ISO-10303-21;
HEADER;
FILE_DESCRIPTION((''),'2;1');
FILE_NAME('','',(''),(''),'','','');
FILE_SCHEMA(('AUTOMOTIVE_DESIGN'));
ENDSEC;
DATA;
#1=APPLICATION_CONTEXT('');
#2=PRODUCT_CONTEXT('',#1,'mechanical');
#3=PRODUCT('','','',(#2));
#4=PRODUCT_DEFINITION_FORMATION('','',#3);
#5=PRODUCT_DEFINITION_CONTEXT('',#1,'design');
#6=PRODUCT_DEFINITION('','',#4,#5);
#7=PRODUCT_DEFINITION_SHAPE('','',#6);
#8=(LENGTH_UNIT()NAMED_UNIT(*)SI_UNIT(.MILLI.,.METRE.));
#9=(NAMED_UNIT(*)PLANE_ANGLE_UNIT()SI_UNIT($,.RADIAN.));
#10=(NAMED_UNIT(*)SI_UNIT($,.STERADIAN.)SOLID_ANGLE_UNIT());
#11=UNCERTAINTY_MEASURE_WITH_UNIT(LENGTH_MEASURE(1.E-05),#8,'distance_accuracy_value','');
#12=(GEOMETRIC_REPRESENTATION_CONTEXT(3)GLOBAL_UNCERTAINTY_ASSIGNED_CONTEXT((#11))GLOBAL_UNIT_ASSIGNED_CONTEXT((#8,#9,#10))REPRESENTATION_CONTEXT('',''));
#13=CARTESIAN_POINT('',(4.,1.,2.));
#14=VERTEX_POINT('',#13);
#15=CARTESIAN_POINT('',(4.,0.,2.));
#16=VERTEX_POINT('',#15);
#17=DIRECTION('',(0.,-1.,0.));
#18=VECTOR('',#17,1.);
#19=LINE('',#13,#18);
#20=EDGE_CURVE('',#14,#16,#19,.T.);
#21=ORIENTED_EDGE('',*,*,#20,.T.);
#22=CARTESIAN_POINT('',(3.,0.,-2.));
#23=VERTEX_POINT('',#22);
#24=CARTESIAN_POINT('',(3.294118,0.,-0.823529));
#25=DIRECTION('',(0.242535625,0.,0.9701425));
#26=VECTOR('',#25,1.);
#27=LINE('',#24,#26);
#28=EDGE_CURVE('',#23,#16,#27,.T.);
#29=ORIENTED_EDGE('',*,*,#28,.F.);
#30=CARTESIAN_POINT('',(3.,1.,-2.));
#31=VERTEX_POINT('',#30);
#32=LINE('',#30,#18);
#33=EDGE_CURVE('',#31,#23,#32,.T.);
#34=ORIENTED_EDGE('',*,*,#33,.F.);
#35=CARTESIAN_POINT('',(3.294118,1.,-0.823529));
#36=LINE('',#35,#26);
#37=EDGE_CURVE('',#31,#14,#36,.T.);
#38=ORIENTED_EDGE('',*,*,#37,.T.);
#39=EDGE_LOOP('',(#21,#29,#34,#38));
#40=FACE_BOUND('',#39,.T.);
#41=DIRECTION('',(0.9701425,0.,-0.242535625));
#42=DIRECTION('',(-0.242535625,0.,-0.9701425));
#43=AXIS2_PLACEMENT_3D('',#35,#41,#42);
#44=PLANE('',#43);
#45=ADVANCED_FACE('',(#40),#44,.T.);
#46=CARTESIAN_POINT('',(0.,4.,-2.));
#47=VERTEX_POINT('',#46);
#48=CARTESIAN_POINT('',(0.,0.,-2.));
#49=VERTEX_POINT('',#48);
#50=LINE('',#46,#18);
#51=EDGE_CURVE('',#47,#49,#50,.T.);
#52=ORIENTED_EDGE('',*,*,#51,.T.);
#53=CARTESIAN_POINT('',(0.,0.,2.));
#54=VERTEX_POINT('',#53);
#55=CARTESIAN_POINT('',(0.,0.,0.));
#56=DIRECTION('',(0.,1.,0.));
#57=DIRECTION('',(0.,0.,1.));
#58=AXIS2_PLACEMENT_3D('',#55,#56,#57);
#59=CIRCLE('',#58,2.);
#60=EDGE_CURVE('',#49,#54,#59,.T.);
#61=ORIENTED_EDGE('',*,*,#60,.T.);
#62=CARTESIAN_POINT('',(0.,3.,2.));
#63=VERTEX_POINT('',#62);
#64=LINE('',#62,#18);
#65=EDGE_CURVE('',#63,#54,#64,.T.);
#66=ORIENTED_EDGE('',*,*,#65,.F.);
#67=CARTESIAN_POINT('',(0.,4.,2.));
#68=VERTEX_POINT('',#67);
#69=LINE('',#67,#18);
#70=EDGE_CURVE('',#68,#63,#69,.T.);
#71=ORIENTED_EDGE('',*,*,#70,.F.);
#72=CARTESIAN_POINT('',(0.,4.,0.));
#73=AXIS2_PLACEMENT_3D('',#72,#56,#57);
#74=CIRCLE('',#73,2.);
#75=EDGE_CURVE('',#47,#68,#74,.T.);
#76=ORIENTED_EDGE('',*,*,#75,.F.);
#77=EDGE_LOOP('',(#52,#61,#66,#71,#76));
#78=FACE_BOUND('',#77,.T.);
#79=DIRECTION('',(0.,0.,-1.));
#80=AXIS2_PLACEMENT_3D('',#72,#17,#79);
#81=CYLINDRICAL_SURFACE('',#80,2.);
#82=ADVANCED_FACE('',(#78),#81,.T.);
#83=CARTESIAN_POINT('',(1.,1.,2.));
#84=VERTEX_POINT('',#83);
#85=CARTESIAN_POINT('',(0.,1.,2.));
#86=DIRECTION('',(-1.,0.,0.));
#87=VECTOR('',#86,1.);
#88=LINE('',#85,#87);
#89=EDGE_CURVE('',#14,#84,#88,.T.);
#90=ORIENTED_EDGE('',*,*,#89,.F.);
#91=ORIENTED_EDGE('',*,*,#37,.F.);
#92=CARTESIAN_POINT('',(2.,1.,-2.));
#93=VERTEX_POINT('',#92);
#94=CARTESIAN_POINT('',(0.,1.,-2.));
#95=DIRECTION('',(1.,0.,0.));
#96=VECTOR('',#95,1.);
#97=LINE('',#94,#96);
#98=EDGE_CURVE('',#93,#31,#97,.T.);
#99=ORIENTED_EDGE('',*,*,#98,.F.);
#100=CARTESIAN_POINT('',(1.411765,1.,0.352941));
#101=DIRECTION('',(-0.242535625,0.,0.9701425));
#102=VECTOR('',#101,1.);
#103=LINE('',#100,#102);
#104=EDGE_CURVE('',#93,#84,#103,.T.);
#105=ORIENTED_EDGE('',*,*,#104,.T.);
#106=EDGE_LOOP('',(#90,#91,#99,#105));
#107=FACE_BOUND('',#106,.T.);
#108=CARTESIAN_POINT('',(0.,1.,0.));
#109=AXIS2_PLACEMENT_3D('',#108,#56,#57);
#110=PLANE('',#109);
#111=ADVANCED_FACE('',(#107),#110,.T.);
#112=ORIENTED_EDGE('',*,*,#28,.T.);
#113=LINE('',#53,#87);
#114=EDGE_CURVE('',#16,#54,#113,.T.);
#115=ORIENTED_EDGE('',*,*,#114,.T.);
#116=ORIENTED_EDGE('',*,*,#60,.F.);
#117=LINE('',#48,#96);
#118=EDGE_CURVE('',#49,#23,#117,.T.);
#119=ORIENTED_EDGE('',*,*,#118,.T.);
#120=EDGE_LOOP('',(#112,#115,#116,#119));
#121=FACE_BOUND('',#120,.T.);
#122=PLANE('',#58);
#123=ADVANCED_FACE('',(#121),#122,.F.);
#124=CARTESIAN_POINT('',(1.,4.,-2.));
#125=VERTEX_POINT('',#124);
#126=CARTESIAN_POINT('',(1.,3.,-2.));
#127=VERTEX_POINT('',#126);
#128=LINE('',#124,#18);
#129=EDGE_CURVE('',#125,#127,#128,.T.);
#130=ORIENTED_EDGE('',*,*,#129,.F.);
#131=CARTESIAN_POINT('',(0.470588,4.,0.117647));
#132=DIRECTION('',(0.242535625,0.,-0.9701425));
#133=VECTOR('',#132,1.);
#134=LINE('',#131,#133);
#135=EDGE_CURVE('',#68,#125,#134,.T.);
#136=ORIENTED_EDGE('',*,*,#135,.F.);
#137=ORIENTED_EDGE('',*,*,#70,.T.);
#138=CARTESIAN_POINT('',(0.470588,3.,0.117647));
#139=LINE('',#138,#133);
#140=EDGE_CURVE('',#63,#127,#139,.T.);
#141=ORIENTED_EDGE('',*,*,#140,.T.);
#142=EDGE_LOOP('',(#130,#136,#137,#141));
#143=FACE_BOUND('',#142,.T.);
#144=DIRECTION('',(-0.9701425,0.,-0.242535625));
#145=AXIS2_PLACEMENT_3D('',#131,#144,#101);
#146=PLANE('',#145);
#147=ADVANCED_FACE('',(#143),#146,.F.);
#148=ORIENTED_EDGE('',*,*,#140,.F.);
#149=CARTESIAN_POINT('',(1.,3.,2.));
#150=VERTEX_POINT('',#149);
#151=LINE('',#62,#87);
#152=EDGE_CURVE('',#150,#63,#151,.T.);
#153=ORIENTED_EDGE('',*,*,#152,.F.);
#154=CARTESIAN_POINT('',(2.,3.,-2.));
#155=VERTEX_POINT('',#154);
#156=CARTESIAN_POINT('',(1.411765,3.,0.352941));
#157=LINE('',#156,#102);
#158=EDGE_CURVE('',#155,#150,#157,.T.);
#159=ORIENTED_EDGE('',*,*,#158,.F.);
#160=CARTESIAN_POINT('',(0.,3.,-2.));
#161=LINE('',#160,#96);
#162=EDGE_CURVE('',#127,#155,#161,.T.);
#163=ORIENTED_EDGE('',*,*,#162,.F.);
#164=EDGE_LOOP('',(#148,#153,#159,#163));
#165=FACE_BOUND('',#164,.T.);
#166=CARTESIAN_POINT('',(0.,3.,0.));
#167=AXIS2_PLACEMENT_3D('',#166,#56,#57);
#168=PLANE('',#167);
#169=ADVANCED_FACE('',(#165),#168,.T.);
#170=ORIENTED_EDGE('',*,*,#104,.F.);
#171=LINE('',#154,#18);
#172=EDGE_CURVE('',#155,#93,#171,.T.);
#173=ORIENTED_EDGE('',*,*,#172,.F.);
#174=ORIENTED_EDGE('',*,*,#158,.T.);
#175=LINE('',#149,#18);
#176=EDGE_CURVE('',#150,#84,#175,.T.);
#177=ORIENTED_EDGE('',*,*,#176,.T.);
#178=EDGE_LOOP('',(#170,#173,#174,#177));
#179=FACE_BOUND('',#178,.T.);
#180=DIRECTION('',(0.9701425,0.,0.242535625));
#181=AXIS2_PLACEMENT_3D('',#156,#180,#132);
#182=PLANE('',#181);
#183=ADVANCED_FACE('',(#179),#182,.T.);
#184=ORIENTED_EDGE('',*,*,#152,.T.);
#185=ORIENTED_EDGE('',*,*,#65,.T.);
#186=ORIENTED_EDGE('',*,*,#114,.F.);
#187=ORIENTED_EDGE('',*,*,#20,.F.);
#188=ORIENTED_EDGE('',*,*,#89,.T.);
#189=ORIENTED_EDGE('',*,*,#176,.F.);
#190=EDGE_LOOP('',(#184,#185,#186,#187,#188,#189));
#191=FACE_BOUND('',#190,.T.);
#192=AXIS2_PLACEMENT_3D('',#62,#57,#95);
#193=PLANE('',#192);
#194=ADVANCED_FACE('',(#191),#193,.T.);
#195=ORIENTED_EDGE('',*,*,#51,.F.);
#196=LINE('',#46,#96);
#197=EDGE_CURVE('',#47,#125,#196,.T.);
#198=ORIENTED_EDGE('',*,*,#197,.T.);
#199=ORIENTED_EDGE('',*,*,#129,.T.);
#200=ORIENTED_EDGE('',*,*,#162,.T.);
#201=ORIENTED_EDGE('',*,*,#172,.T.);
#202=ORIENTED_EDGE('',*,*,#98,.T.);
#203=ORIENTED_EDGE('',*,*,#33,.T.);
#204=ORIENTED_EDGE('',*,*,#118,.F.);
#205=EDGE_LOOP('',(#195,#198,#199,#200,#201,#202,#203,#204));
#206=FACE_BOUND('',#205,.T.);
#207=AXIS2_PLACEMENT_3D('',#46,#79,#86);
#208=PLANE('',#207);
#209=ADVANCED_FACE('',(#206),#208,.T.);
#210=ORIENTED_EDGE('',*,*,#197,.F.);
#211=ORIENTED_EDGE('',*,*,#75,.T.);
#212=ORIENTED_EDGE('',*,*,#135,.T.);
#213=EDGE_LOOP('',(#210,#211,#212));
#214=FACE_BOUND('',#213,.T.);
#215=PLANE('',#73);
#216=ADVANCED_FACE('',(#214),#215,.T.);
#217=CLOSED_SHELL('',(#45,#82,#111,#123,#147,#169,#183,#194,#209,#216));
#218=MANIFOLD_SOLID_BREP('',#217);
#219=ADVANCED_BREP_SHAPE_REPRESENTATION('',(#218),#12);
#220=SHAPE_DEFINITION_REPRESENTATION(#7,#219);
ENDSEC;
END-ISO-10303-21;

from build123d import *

# Parameters (mm, degrees)
EXTRUDE_2_DEPTH = 4
EXTRUDE_3_DEPTH = 3
EXTRUDE_4_DEPTH = 1


with BuildPart() as part:
    # 草圖1 → 填料-伸長2 (new body)
    with BuildSketch(Plane(origin=(0, 0, 0), x_dir=(1, 0, 0), z_dir=(0, 1, 0))):
        with BuildLine():
            Line((1, 2), (0, 2))
            ThreePointArc((0, 2), (-2, 0), (0, -2))
            Line((0, -2), (1, 2))
        make_face()
    extrude(amount=EXTRUDE_2_DEPTH)

    # 草圖1<4> → 填料-伸長3 (add)
    with BuildSketch(Plane(origin=(0, 0, 0), x_dir=(1, 0, 0), z_dir=(0, 1, 0))):
        Polygon((1, 2), (0, -2), (1, -2), (2, 2), align=None)
    extrude(amount=EXTRUDE_3_DEPTH)

    # 草圖1<5> → 填料-伸長4 (add)
    with BuildSketch(Plane(origin=(0, 0, 0), x_dir=(1, 0, 0), z_dir=(0, 1, 0))):
        Polygon((2, 2), (1, -2), (4, -2), (3, 2), align=None)
    extrude(amount=EXTRUDE_4_DEPTH)


solid = part.part
